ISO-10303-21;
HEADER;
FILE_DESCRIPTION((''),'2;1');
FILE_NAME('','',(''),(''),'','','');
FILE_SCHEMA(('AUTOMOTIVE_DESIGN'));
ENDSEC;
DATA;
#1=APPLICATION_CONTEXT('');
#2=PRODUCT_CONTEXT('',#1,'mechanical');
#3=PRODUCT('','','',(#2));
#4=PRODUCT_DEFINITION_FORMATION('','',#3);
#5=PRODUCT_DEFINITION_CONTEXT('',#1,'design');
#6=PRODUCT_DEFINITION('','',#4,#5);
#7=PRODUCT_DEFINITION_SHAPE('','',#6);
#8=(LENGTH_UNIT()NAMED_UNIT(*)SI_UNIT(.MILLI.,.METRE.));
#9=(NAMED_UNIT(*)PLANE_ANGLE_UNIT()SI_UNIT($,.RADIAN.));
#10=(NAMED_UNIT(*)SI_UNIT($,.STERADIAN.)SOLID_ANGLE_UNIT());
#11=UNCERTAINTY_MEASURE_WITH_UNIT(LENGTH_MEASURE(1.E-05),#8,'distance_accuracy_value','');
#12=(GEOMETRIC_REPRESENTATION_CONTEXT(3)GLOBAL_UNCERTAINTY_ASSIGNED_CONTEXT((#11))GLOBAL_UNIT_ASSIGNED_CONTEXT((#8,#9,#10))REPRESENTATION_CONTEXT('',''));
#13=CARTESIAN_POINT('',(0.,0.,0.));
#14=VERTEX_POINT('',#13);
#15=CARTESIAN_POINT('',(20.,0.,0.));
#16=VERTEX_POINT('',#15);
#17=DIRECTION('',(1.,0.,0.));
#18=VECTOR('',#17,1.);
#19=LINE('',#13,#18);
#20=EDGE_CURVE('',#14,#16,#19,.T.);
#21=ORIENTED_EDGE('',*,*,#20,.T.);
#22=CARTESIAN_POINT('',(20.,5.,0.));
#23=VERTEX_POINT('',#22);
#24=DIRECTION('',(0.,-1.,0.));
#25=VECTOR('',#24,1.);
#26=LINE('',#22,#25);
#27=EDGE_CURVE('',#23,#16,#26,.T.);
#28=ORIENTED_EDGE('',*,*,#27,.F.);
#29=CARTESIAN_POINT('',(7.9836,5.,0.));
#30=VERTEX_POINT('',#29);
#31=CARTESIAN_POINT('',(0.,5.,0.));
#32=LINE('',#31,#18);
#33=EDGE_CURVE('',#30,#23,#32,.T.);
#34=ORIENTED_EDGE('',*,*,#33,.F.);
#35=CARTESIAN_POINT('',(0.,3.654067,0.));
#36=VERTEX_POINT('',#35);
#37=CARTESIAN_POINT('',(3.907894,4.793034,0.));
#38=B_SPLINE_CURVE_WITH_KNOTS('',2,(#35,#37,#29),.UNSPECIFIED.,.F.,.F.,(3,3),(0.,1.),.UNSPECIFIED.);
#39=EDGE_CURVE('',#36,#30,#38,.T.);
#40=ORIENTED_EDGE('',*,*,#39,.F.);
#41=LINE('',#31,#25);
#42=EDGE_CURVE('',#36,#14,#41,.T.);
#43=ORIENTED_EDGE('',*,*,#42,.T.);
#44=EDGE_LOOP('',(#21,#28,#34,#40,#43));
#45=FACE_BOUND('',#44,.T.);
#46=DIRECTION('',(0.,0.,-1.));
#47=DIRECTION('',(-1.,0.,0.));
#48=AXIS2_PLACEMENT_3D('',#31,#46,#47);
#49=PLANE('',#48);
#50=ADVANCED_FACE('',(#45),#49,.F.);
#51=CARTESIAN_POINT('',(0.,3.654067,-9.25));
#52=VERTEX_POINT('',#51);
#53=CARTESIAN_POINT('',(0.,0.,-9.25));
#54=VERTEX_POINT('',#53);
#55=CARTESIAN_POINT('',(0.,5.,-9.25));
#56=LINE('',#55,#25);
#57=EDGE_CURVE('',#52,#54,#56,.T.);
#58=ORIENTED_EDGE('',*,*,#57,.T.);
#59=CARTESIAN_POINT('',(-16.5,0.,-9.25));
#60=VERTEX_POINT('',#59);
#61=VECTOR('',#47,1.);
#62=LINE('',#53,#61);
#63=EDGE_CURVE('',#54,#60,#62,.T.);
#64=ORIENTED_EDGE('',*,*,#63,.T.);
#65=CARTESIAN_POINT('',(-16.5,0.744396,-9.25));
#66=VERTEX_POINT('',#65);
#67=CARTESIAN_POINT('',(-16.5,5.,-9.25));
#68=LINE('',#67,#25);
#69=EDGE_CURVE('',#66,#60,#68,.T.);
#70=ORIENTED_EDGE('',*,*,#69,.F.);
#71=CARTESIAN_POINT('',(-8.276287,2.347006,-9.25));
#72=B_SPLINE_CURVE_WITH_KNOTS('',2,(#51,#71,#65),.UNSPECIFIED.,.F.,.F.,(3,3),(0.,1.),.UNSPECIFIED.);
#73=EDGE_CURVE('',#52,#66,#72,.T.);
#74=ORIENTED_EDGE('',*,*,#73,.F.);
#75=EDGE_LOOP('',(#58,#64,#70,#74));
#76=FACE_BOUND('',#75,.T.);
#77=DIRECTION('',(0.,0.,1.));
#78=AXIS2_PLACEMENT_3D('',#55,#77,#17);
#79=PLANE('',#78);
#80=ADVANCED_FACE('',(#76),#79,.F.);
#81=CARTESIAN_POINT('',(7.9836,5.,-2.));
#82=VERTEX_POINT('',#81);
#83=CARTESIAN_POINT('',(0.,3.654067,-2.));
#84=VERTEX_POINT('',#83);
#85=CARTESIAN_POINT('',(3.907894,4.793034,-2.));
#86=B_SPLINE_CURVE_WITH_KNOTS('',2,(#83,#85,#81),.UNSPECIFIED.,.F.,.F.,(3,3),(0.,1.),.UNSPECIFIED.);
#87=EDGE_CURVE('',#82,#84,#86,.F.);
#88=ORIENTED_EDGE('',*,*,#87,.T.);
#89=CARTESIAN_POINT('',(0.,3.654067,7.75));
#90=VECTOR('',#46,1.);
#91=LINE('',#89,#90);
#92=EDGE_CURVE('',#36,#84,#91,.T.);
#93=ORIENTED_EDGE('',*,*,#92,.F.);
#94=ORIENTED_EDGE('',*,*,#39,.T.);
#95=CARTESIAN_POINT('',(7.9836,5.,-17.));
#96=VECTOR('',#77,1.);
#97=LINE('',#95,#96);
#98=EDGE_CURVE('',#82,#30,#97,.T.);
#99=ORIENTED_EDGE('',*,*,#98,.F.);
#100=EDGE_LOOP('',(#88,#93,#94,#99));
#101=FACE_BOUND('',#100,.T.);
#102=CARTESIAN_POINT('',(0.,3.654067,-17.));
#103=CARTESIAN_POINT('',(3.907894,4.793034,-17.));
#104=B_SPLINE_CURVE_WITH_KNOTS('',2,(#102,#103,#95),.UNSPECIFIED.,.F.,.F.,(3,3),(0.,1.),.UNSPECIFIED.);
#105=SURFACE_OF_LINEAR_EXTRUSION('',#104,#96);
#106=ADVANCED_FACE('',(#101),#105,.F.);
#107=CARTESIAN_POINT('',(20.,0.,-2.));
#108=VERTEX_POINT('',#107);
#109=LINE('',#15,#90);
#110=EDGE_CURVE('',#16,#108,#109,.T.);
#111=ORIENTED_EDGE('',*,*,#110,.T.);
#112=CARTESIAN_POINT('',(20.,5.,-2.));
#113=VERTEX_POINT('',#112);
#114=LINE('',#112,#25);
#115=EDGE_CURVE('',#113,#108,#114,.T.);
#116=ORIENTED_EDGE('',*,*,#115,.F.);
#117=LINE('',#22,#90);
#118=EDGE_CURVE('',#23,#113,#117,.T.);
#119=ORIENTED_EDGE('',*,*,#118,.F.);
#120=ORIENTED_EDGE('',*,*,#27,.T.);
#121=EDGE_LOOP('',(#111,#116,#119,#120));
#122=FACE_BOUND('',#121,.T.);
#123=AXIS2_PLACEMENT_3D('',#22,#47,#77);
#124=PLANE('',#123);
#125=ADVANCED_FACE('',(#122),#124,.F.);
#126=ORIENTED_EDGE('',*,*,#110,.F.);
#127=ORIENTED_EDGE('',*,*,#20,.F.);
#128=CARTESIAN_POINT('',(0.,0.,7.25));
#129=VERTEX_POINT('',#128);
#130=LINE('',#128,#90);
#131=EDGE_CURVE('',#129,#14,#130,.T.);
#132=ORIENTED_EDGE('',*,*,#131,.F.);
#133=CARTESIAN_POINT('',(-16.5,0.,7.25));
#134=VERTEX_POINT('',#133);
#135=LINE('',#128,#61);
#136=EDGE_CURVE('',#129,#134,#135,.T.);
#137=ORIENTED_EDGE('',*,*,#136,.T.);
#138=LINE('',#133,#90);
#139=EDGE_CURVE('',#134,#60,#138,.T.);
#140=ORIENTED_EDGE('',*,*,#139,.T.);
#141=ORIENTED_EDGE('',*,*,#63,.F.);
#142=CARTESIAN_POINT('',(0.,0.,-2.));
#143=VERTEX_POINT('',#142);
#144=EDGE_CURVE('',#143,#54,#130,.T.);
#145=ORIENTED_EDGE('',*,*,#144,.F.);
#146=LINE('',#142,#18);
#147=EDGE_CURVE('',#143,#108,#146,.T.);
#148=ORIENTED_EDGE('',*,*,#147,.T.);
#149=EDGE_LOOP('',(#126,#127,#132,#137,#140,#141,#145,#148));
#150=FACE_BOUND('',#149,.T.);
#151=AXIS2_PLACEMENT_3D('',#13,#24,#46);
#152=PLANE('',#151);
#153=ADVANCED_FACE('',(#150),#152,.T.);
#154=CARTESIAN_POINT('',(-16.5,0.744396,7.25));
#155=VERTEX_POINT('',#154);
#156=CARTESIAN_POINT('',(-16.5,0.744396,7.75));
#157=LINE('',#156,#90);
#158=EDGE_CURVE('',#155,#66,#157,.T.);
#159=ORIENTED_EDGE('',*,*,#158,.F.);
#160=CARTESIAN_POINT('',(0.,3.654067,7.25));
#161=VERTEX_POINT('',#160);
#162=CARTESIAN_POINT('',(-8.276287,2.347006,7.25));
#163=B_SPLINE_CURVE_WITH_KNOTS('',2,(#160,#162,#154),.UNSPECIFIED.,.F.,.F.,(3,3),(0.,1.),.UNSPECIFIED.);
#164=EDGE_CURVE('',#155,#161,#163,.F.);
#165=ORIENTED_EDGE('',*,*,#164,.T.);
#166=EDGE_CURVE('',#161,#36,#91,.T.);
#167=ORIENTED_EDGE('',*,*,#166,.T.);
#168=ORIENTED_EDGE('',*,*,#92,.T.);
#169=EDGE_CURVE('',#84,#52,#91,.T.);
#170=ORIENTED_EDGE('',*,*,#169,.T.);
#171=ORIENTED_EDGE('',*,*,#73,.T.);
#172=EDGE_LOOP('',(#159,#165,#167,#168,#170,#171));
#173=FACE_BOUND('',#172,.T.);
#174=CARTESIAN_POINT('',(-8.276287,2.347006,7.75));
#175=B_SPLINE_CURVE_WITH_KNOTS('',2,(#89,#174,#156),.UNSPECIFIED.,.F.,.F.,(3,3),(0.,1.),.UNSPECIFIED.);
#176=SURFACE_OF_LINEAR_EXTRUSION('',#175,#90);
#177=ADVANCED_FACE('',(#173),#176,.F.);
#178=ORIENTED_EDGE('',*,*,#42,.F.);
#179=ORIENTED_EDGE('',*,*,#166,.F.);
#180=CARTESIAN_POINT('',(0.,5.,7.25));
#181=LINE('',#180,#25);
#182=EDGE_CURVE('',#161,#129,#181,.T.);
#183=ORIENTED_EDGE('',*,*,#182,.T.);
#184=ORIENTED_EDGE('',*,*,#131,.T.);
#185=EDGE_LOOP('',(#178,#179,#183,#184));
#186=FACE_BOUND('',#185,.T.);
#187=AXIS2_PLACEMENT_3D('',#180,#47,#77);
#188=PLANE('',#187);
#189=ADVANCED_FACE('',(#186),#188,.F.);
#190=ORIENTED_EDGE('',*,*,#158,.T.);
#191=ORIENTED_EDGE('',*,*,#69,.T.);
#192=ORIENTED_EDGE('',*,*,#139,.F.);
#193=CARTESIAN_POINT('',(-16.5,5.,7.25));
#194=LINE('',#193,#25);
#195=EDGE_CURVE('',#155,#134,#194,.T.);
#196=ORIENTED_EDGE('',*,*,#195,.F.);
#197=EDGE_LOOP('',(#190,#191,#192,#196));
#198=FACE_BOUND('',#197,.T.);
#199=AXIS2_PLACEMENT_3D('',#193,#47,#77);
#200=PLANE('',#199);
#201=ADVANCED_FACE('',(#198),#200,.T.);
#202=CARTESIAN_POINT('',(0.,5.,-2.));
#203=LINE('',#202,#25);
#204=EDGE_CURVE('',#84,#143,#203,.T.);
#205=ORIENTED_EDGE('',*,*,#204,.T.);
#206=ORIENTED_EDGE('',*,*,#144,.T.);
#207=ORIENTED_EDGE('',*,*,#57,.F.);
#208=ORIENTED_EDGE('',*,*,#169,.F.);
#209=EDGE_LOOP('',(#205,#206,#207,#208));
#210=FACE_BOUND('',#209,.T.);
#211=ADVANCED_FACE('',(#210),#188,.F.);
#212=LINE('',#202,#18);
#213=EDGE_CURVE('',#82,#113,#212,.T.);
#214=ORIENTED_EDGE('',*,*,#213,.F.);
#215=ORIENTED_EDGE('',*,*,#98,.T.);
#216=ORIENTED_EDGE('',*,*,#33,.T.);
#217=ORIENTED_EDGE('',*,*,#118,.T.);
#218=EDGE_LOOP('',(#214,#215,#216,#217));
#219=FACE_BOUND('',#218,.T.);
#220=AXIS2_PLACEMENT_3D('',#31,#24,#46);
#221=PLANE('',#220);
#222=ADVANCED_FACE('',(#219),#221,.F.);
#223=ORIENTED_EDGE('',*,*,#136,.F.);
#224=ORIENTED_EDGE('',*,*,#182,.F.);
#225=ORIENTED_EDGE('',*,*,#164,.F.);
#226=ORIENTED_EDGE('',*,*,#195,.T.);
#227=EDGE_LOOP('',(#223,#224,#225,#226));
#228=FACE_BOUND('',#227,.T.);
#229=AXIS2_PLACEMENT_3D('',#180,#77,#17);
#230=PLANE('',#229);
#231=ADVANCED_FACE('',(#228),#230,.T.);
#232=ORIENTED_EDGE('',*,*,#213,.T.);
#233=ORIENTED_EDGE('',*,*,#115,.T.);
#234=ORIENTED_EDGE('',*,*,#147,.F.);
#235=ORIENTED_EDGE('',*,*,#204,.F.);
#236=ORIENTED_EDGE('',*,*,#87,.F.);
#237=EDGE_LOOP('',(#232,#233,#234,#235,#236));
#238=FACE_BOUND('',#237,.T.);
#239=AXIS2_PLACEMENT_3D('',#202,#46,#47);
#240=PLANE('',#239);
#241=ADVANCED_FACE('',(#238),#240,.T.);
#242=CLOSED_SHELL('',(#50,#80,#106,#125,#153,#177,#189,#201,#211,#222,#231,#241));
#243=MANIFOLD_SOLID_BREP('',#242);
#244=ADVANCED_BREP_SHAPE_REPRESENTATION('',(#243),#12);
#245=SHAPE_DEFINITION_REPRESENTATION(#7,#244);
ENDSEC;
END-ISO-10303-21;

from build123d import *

# Parameters (mm, degrees)
ESQUISSE2_W             = 20
ESQUISSE2_H             = 2
ESQUISSE2_W_2           = 16.5
ESQUISSE2_H_2           = 16.5
BOSS_EXTRU_1_DEPTH      = 5
ENL_V_MAT_EXTRU_1_DEPTH = 17
ENL_V_MAT_EXTRU_2_DEPTH = 17


with BuildPart() as part:
    # Esquisse2 → Boss.-Extru.1 (new body)
    with BuildSketch(Plane(origin=(0, 0, 0), x_dir=(1, 0, 0), z_dir=(0, 1, 0))):
        with Locations((10, 1)):
            Rectangle(ESQUISSE2_W, ESQUISSE2_H)
        with Locations((-8.25, 1)):
            Rectangle(ESQUISSE2_W_2, ESQUISSE2_H_2)
    extrude(amount=BOSS_EXTRU_1_DEPTH)

    # Esquisse3 → Enlèv. mat.-Extru.1 (cut)
    with BuildSketch(Plane(origin=(0, 0, -9.25), x_dir=(-1, 0, 0), z_dir=(0, 0, -1))):
        with BuildLine():
            Line((0, 5), (0, 3.654066972))
            add(Edge.make_bspline(
                [(0, 3.654066972), (8.276287375, 2.347006327), (16.5, 0.744396355)],
                knots=[0, 0, 0, 1, 1, 1], degree=2))
            Line((16.5, 0.744396355), (18.688542218, 4.20494166))
            Line((18.688542218, 4.20494166), (16.723031274, 6.238601979))
            Line((16.723031274, 6.238601979), (3.598874135, 6.46224909))
            Line((3.598874135, 6.46224909), (0, 5))
        make_face()
    extrude(amount=-ENL_V_MAT_EXTRU_1_DEPTH, mode=Mode.SUBTRACT)

    # Esquisse4 → Enlèv. mat.-Extru.2 (cut)
    with BuildSketch(Plane.XY):
        with BuildLine():
            Line((0, 3.654066972), (0, 5))
            Line((0, 5), (7.983599521, 5))
            add(Edge.make_bspline(
                [(0, 3.654066972), (3.907893525, 4.793033974), (7.983599521, 5)],
                knots=[0, 0, 0, 1, 1, 1], degree=2))
        make_face()
    extrude(amount=-ENL_V_MAT_EXTRU_2_DEPTH, mode=Mode.SUBTRACT)


solid = part.part
